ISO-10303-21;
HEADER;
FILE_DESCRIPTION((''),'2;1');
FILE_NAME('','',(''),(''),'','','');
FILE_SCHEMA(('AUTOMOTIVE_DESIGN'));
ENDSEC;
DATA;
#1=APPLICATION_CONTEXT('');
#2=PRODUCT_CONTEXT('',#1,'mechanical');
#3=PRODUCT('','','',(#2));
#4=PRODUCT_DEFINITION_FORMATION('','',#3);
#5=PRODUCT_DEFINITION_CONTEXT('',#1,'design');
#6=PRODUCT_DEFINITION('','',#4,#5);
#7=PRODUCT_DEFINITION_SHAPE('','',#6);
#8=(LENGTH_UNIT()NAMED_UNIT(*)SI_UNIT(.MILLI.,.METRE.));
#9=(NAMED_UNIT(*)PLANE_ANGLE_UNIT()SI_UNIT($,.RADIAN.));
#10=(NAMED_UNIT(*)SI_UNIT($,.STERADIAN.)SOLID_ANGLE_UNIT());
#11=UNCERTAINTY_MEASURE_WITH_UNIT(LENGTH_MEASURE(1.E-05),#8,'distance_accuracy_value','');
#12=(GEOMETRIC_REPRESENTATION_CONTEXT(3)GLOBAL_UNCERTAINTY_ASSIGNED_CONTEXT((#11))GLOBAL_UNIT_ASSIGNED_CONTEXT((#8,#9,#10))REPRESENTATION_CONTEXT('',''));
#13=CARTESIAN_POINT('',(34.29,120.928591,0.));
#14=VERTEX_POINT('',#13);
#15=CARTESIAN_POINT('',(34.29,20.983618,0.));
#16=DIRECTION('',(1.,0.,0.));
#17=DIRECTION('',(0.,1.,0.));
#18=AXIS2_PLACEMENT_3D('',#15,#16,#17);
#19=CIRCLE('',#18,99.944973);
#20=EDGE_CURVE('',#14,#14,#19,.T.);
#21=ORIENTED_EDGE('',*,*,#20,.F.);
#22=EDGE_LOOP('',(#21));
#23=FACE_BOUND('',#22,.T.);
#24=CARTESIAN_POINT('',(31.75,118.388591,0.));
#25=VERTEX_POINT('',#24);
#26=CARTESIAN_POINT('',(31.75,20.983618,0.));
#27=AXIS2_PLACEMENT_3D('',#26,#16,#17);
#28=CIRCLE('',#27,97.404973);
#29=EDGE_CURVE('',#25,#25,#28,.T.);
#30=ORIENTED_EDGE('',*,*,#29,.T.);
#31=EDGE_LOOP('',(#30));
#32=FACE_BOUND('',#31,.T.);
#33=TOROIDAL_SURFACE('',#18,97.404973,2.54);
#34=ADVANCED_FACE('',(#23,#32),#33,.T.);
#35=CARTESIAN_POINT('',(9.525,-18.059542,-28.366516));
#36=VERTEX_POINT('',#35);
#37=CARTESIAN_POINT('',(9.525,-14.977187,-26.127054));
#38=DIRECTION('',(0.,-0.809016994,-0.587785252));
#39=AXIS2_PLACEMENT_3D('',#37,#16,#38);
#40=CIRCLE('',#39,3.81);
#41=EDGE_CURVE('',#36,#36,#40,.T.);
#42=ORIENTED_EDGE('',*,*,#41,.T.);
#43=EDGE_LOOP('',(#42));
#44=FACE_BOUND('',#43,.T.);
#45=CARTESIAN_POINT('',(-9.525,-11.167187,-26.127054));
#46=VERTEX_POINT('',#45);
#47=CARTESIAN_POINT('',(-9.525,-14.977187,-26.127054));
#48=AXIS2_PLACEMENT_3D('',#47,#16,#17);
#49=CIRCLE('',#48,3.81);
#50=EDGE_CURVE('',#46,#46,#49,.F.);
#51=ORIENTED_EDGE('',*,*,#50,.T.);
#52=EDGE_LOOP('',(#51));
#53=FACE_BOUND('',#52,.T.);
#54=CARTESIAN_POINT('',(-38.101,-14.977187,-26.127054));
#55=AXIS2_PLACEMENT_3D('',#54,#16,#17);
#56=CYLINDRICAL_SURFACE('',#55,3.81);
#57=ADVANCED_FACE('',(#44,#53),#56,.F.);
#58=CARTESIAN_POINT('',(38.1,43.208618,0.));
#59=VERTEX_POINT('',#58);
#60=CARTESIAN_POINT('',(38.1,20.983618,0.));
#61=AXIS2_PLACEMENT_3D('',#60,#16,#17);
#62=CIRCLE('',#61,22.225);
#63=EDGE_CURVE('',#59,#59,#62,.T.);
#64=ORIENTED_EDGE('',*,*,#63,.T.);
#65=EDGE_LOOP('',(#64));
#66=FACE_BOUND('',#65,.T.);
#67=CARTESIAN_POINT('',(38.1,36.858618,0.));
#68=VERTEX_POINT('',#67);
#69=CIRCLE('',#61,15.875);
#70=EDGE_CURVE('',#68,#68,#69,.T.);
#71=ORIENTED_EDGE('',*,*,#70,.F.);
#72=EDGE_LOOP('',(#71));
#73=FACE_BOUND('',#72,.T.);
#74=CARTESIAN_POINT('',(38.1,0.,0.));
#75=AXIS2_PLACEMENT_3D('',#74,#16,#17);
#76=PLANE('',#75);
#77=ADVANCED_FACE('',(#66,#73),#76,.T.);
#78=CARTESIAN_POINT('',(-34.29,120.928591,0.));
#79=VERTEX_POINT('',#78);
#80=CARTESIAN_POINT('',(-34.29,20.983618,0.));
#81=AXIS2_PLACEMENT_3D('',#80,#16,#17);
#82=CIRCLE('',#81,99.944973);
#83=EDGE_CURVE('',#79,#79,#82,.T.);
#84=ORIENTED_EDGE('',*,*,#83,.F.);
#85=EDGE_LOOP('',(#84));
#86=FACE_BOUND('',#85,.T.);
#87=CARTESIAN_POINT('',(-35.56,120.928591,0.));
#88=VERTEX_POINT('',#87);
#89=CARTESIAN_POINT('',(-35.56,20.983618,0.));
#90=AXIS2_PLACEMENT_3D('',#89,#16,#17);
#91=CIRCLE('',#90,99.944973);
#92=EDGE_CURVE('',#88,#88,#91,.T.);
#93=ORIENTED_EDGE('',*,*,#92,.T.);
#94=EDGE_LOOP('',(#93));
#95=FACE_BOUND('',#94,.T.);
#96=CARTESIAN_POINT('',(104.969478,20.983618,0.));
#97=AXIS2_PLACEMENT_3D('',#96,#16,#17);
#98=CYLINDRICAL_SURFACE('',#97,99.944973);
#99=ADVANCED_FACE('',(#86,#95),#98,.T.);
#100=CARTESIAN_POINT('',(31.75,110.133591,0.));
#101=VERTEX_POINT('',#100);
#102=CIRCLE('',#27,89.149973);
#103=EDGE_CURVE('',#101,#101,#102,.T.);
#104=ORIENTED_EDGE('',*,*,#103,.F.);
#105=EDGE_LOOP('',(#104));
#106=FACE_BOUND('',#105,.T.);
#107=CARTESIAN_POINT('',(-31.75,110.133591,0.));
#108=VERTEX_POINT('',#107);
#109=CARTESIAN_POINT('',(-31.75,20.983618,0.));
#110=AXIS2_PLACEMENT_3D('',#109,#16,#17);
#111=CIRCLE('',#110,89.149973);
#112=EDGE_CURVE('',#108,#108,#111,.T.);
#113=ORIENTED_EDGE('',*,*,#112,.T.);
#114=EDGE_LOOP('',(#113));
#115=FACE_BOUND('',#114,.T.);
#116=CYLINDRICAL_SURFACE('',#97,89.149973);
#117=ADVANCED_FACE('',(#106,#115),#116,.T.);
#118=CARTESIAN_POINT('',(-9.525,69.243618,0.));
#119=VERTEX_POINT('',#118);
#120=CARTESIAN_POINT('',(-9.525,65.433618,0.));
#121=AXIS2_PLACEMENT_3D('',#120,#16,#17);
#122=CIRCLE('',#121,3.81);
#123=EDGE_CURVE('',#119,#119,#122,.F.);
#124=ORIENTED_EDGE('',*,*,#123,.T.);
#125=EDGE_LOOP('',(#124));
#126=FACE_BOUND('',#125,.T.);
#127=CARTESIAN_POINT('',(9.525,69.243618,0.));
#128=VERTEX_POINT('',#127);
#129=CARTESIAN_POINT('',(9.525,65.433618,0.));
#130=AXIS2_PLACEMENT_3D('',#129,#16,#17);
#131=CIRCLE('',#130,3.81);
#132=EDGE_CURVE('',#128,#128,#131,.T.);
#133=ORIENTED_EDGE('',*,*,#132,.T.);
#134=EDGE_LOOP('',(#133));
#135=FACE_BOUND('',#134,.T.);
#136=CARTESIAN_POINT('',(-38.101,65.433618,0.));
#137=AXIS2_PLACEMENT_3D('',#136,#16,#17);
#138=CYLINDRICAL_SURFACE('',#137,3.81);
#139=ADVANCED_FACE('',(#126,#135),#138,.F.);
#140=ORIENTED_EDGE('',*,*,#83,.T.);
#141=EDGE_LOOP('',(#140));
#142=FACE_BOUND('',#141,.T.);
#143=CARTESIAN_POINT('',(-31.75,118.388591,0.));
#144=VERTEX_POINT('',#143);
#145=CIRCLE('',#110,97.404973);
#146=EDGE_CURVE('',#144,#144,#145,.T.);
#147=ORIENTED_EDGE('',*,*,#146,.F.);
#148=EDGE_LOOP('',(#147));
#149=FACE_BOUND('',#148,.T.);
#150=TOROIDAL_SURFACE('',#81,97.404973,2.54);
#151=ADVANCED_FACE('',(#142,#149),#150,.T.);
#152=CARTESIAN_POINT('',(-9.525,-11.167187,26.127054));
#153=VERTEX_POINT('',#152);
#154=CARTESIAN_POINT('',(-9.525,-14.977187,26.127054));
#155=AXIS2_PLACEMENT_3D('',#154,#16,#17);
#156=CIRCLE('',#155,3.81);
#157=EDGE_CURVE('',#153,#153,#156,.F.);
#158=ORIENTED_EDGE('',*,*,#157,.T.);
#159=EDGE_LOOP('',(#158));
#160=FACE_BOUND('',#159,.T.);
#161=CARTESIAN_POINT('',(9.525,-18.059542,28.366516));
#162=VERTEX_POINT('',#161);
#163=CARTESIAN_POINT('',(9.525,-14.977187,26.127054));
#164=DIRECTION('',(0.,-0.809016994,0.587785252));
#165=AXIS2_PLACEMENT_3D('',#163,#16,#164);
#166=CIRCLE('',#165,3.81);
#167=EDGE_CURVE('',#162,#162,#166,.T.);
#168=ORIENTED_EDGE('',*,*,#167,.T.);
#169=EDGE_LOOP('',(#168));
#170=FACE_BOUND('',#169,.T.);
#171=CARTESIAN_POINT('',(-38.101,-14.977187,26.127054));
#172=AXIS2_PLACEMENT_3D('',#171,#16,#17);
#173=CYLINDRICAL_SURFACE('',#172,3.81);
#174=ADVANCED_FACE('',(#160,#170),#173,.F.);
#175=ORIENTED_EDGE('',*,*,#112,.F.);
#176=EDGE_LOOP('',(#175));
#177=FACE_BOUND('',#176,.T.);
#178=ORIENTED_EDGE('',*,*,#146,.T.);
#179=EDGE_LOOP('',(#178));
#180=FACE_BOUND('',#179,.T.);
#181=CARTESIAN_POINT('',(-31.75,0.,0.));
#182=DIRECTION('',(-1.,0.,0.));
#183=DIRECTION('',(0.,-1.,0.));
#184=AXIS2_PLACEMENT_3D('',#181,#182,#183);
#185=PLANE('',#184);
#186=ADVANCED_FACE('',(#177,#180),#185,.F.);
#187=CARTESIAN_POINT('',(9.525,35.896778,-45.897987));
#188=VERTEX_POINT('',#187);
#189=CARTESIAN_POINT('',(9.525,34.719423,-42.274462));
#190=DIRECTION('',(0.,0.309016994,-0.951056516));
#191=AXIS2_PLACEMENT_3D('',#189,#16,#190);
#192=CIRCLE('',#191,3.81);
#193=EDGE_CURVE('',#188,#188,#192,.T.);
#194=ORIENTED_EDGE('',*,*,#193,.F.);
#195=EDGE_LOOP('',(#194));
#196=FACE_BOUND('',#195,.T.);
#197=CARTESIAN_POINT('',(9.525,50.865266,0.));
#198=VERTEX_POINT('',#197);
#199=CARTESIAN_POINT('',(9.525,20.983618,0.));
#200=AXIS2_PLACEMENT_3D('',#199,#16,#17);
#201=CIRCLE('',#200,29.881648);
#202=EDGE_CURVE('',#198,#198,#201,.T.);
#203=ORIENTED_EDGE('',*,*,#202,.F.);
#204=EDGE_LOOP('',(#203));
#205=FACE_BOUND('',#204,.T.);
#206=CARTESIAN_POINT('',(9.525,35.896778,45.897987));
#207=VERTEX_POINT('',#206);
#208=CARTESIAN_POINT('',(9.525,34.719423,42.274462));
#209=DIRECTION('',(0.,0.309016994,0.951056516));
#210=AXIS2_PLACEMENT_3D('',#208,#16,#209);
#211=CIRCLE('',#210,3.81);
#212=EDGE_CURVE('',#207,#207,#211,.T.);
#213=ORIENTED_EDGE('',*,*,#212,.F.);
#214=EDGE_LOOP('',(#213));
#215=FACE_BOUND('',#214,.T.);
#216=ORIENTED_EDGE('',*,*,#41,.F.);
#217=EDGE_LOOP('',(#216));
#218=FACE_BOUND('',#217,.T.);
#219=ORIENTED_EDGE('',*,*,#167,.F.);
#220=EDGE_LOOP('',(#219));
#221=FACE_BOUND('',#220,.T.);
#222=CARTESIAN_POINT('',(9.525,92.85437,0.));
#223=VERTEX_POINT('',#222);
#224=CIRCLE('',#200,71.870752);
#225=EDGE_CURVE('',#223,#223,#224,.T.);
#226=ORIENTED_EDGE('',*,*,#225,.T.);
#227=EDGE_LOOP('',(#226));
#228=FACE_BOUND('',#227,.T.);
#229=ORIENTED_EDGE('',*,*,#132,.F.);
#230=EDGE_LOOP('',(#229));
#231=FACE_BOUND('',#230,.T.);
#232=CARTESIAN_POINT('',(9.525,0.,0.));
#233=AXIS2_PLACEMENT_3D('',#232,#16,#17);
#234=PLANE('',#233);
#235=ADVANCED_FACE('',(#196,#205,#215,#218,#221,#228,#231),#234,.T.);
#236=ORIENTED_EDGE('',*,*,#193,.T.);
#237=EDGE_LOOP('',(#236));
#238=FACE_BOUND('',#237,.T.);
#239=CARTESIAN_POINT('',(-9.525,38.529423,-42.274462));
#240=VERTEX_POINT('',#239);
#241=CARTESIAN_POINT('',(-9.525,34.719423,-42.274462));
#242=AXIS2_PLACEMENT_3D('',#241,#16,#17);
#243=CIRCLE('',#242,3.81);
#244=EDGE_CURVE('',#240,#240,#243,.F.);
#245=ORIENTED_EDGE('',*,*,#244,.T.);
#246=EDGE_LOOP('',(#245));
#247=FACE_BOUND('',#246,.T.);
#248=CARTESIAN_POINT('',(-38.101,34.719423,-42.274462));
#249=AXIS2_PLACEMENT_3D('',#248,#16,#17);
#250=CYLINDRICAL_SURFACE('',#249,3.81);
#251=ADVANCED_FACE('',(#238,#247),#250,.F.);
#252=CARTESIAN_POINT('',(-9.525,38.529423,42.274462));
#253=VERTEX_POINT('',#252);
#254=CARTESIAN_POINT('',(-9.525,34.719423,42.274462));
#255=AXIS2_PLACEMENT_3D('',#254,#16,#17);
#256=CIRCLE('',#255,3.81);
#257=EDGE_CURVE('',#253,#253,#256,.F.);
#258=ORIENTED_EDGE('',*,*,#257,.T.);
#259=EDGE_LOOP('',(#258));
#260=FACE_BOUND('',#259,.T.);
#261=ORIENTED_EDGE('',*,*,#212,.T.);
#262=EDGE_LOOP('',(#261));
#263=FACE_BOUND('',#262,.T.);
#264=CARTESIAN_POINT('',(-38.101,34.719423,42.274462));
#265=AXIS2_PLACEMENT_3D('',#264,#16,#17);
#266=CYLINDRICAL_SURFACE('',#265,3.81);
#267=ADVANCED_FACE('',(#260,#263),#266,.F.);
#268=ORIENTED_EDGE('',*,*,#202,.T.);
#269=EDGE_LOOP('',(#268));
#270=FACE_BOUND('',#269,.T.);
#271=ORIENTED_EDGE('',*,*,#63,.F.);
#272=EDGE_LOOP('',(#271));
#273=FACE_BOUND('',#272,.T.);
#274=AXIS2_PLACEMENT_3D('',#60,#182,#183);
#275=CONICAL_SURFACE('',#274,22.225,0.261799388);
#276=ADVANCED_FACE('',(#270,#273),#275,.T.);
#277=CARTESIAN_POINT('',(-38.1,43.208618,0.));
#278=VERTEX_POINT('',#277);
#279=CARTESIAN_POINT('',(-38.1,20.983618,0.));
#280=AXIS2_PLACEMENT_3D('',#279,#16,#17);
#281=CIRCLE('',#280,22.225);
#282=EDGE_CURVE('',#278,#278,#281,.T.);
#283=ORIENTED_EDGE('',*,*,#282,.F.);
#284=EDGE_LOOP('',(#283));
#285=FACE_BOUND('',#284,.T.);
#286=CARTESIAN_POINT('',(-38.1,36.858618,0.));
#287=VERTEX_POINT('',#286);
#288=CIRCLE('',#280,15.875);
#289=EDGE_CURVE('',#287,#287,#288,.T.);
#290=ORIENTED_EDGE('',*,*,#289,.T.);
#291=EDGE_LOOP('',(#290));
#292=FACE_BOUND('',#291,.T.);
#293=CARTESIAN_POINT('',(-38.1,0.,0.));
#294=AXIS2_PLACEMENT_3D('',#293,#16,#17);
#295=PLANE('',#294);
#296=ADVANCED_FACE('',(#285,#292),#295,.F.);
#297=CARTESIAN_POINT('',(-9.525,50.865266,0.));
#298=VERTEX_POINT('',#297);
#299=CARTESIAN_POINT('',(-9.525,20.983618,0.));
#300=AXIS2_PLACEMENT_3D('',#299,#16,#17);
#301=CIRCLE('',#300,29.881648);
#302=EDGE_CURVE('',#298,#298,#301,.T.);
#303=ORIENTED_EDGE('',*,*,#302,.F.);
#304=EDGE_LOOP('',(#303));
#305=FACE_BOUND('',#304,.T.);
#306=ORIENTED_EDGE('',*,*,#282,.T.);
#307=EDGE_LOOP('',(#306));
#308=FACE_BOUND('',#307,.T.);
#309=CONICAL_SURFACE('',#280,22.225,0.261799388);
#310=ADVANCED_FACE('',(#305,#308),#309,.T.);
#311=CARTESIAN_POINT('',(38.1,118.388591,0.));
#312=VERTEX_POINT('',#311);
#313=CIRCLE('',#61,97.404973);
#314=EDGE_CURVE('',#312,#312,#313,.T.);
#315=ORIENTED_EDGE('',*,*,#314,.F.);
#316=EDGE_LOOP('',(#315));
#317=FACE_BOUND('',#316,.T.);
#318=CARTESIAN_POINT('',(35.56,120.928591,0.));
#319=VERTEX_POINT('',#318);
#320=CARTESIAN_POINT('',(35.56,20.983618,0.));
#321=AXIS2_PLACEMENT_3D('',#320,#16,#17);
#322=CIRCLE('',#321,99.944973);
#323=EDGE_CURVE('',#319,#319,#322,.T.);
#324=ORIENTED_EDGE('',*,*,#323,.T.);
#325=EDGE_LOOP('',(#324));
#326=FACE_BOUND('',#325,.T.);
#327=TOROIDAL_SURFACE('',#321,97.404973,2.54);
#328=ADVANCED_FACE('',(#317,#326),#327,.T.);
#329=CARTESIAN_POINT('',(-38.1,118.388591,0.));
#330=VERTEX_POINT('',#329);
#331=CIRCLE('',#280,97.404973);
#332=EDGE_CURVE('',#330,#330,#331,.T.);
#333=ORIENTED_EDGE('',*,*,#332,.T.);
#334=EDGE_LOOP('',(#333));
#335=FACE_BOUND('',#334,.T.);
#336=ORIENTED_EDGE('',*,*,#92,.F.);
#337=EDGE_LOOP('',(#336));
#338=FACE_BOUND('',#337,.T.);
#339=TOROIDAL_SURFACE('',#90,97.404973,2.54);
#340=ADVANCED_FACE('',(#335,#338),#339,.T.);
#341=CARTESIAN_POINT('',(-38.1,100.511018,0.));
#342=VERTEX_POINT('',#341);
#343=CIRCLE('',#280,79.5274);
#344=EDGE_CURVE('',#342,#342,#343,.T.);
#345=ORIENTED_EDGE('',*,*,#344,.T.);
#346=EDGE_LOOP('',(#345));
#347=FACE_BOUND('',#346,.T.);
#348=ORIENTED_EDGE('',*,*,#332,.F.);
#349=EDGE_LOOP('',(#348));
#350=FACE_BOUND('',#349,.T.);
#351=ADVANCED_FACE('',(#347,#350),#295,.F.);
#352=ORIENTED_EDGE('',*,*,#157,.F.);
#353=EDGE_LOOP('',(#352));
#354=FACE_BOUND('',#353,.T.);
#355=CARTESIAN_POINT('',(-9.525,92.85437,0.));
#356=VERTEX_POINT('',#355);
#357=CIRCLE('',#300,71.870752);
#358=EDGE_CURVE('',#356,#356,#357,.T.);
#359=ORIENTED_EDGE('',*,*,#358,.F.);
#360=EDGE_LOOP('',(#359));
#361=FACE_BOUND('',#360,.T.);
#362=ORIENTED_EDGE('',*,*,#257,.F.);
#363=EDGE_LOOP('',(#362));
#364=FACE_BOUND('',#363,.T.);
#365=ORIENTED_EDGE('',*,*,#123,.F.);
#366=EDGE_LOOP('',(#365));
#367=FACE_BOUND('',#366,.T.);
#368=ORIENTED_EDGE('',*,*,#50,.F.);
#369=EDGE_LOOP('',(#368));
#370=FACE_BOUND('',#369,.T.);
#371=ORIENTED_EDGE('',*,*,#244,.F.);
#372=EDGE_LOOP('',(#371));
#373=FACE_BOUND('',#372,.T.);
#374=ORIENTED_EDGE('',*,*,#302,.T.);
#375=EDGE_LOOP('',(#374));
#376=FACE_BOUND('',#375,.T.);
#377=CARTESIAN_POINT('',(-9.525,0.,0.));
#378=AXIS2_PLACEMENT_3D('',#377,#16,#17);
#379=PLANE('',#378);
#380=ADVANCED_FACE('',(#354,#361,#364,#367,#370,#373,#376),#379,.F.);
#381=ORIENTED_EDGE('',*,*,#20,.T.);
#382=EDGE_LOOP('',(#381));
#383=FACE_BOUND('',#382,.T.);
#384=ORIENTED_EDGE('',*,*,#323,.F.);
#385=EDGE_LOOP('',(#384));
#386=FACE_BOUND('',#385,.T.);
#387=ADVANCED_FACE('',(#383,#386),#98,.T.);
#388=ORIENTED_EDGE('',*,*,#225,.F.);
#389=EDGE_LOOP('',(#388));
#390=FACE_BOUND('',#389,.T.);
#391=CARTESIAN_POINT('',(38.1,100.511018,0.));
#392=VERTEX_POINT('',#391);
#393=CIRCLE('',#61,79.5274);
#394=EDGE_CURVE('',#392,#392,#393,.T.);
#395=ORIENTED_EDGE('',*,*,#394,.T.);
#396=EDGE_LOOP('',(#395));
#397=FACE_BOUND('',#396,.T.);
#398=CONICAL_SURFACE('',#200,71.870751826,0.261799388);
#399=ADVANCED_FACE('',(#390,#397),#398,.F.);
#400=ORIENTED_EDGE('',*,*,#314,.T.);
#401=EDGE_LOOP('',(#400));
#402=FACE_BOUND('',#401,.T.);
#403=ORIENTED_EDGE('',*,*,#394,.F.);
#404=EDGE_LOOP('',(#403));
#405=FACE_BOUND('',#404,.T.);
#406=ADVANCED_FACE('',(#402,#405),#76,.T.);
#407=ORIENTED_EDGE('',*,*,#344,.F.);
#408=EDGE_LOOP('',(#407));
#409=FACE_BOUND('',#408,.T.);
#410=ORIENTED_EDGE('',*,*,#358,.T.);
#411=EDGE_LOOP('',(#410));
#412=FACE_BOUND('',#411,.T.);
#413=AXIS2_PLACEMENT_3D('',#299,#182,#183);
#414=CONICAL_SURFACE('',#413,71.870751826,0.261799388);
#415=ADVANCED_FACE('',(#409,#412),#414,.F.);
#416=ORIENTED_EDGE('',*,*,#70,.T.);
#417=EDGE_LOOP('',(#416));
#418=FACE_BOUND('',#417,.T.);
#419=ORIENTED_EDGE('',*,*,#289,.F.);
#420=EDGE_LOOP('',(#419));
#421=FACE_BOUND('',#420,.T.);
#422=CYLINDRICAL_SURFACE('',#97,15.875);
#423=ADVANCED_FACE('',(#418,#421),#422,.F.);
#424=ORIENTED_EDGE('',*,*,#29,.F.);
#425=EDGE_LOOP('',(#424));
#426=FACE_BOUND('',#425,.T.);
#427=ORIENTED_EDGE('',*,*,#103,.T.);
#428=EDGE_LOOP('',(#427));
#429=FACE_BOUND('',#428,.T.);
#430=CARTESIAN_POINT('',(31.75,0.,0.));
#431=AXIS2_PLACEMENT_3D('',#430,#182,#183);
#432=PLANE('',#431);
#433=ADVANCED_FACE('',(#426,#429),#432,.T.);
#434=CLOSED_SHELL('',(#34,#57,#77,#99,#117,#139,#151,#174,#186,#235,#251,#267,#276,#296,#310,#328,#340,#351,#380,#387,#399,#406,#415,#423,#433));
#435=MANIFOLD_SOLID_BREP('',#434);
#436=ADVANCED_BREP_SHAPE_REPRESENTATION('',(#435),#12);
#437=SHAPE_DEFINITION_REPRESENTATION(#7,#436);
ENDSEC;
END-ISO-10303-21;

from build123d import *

# Parameters (mm, degrees)
SKETCH3_R          = 3.81
CUT_EXTRUDE1_DEPTH = 19.05
CIRPATTERN1_COUNT  = 5


with BuildPart() as part:
    # Sketch1 → Revolve2 (revolve)
    with BuildSketch(Plane.XY):
        with BuildLine():
            Line((0, 110.13359097), (0, 36.858618068))
            Line((0, 36.858618068), (38.1, 36.858618068))
            Line((38.1, 36.858618068), (38.1, 43.208618068))
            Line((38.1, 43.208618068), (9.525, 50.865266242))
            Line((9.525, 50.865266242), (9.525, 92.854369894))
            Line((9.525, 92.854369894), (38.1, 100.511018068))
            Line((38.1, 100.511018068), (38.1, 118.38859097))
            ThreePointArc((38.1, 118.38859097), (37.356051224, 120.184642194), (35.56, 120.92859097))
            Line((35.56, 120.92859097), (34.29, 120.92859097))
            ThreePointArc((34.29, 120.92859097), (32.493948776, 120.184642194), (31.75, 118.38859097))
            Line((31.75, 118.38859097), (31.75, 110.13359097))
            Line((31.75, 110.13359097), (0, 110.13359097))
        make_face()
        with BuildLine():
            Line((-38.1, 43.208618068), (-38.1, 36.858618068))
            Line((-38.1, 36.858618068), (0, 36.858618068))
            Line((0, 36.858618068), (0, 110.13359097))
            Line((0, 110.13359097), (-31.75, 110.13359097))
            Line((-31.75, 110.13359097), (-31.75, 118.38859097))
            ThreePointArc((-31.75, 118.38859097), (-32.493948776, 120.184642194), (-34.29, 120.92859097))
            Line((-34.29, 120.92859097), (-35.56, 120.92859097))
            ThreePointArc((-35.56, 120.92859097), (-37.356051224, 120.184642194), (-38.1, 118.38859097))
            Line((-38.1, 118.38859097), (-38.1, 100.511018068))
            Line((-38.1, 100.511018068), (-9.525, 92.854369894))
            Line((-9.525, 92.854369894), (-9.525, 50.865266242))
            Line((-9.525, 50.865266242), (-38.1, 43.208618068))
        make_face()
    revolve(axis=Axis((104.96947807, 20.983618068, 0), (-1, 0, 0)))

    # Sketch3 → Cut-Extrude1 (cut)
    with BuildSketch(Plane(origin=(9.525, 0, 0), x_dir=(0, 0, -1), z_dir=(1, 0, 0))):
        with Locations((0, 65.433618068)):
            Circle(SKETCH3_R)
    cut_extrude1 = extrude(amount=-CUT_EXTRUDE1_DEPTH, mode=Mode.SUBTRACT)

    # CirPattern1: Cut-Extrude1 ×5 about axis
    cirpattern1_axis = Axis((0, 20.983618068, 0), (1, 0, 0))
    for i in range(1, CIRPATTERN1_COUNT):
        add(cut_extrude1.rotate(cirpattern1_axis, i * 360 / CIRPATTERN1_COUNT), mode=Mode.SUBTRACT)


solid = part.part
